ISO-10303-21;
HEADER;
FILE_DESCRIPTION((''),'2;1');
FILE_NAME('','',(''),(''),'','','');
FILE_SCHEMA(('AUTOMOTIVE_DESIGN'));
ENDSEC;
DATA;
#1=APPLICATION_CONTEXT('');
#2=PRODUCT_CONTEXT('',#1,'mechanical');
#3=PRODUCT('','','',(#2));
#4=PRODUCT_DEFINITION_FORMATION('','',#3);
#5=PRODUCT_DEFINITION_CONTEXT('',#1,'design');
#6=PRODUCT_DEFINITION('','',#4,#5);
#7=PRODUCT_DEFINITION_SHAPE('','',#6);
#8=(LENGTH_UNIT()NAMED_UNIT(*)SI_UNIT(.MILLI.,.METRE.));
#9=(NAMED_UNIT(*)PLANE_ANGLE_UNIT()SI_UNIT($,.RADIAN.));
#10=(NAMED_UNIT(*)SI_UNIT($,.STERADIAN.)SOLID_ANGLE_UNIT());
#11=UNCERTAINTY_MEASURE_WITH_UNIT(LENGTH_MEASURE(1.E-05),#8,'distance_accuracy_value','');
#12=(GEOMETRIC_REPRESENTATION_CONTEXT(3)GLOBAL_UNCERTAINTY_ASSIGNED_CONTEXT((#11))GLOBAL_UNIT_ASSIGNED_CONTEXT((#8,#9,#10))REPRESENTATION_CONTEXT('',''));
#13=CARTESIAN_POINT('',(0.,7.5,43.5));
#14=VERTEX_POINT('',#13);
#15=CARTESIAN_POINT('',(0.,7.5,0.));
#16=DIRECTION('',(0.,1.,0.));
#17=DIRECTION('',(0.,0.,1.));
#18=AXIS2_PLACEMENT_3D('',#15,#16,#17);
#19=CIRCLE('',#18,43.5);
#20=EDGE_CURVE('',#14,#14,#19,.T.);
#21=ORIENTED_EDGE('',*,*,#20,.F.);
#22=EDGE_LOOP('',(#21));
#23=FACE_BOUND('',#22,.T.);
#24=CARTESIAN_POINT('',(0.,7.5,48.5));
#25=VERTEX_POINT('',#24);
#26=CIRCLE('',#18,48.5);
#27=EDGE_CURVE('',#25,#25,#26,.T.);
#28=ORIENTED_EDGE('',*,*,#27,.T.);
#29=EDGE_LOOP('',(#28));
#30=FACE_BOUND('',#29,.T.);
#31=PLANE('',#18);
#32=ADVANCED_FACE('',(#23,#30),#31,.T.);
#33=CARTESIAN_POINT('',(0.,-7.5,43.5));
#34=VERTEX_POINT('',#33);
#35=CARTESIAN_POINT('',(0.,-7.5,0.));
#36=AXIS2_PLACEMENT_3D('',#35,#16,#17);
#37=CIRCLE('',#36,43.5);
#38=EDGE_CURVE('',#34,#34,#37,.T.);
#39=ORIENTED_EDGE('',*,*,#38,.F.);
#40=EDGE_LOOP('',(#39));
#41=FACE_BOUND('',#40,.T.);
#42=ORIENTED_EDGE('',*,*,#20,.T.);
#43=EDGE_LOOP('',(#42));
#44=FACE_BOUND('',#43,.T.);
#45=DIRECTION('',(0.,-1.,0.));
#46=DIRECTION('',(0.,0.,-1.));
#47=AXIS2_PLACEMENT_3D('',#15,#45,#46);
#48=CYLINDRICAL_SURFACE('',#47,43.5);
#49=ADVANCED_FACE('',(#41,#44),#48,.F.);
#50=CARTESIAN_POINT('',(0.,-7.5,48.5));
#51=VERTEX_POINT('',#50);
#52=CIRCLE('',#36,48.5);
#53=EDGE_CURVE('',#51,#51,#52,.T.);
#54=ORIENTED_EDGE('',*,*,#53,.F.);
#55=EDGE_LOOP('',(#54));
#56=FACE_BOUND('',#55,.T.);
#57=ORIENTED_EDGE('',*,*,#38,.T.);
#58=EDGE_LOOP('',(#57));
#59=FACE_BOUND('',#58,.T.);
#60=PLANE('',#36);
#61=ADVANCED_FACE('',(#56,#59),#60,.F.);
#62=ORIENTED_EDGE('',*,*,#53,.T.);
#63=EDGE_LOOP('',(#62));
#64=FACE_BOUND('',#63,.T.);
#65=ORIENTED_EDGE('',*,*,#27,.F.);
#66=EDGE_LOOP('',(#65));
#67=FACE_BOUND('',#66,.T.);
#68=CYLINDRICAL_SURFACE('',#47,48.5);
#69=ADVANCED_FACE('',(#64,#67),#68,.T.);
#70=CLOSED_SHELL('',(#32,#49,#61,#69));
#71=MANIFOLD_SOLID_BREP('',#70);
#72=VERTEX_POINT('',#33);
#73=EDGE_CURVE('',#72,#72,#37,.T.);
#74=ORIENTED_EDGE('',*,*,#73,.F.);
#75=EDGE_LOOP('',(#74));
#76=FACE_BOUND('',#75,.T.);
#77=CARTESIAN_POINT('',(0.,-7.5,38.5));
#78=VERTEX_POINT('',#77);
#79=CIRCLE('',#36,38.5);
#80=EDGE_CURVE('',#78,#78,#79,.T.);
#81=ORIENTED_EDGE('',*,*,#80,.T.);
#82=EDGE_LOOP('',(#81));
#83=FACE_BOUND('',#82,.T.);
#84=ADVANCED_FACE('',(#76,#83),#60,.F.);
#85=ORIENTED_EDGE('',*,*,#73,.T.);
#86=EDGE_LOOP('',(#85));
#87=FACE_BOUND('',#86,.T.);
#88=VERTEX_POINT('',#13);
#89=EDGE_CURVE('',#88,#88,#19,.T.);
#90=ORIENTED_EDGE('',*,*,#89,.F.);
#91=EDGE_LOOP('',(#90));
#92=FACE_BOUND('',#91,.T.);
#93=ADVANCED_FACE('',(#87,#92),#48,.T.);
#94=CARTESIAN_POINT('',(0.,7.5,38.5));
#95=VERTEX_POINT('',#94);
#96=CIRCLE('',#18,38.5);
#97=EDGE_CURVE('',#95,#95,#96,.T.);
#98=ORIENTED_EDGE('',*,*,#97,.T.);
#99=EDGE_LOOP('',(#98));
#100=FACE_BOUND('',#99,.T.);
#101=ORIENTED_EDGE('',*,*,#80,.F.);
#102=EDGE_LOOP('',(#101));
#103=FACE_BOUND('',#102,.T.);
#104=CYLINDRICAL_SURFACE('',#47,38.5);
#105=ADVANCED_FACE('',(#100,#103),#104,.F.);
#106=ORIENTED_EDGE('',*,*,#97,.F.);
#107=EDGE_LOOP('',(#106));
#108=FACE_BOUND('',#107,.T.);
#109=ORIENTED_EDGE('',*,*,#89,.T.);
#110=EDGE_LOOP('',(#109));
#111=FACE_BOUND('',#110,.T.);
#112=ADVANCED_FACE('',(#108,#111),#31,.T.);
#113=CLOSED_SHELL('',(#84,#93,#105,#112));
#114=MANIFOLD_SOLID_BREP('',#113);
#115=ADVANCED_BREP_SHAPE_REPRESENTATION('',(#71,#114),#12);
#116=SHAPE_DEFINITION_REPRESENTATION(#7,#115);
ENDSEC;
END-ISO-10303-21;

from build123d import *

# Parameters (mm, degrees)
SKETCH_2_R      = 43.5
SKETCH_2_R_2    = 38.5
EXTRUDE_1_DEPTH = 7.5
SKETCH_3_R      = 48.5
SKETCH_3_R_2    = 43.5
EXTRUDE_2_DEPTH = 7.5


with BuildPart() as part:
    # 草图2 → 凸台-拉伸1 (new, symmetric)
    with BuildSketch(Plane(origin=(0, 0, 0), x_dir=(1, 0, 0), z_dir=(0, 1, 0))):
        with Locations(Location((0, 0, 0), (0, 0, 270))):
            Circle(SKETCH_2_R)
        with Locations(Location((0, 0, 0), (0, 0, 270))):
            Circle(SKETCH_2_R_2, mode=Mode.SUBTRACT)
    extrude(amount=EXTRUDE_1_DEPTH, both=True)


with BuildPart() as body_2:
    # 草图3 → 凸台-拉伸2 (new, symmetric)
    with BuildSketch(Plane(origin=(0, 0, 0), x_dir=(1, 0, 0), z_dir=(0, 1, 0))):
        with Locations(Location((0, 0, 0), (0, 0, 270))):
            Circle(SKETCH_3_R)
        with Locations(Location((0, 0, 0), (0, 0, 270))):
            Circle(SKETCH_3_R_2, mode=Mode.SUBTRACT)
    extrude(amount=EXTRUDE_2_DEPTH, both=True)


solid = Compound([part.part, body_2.part])
